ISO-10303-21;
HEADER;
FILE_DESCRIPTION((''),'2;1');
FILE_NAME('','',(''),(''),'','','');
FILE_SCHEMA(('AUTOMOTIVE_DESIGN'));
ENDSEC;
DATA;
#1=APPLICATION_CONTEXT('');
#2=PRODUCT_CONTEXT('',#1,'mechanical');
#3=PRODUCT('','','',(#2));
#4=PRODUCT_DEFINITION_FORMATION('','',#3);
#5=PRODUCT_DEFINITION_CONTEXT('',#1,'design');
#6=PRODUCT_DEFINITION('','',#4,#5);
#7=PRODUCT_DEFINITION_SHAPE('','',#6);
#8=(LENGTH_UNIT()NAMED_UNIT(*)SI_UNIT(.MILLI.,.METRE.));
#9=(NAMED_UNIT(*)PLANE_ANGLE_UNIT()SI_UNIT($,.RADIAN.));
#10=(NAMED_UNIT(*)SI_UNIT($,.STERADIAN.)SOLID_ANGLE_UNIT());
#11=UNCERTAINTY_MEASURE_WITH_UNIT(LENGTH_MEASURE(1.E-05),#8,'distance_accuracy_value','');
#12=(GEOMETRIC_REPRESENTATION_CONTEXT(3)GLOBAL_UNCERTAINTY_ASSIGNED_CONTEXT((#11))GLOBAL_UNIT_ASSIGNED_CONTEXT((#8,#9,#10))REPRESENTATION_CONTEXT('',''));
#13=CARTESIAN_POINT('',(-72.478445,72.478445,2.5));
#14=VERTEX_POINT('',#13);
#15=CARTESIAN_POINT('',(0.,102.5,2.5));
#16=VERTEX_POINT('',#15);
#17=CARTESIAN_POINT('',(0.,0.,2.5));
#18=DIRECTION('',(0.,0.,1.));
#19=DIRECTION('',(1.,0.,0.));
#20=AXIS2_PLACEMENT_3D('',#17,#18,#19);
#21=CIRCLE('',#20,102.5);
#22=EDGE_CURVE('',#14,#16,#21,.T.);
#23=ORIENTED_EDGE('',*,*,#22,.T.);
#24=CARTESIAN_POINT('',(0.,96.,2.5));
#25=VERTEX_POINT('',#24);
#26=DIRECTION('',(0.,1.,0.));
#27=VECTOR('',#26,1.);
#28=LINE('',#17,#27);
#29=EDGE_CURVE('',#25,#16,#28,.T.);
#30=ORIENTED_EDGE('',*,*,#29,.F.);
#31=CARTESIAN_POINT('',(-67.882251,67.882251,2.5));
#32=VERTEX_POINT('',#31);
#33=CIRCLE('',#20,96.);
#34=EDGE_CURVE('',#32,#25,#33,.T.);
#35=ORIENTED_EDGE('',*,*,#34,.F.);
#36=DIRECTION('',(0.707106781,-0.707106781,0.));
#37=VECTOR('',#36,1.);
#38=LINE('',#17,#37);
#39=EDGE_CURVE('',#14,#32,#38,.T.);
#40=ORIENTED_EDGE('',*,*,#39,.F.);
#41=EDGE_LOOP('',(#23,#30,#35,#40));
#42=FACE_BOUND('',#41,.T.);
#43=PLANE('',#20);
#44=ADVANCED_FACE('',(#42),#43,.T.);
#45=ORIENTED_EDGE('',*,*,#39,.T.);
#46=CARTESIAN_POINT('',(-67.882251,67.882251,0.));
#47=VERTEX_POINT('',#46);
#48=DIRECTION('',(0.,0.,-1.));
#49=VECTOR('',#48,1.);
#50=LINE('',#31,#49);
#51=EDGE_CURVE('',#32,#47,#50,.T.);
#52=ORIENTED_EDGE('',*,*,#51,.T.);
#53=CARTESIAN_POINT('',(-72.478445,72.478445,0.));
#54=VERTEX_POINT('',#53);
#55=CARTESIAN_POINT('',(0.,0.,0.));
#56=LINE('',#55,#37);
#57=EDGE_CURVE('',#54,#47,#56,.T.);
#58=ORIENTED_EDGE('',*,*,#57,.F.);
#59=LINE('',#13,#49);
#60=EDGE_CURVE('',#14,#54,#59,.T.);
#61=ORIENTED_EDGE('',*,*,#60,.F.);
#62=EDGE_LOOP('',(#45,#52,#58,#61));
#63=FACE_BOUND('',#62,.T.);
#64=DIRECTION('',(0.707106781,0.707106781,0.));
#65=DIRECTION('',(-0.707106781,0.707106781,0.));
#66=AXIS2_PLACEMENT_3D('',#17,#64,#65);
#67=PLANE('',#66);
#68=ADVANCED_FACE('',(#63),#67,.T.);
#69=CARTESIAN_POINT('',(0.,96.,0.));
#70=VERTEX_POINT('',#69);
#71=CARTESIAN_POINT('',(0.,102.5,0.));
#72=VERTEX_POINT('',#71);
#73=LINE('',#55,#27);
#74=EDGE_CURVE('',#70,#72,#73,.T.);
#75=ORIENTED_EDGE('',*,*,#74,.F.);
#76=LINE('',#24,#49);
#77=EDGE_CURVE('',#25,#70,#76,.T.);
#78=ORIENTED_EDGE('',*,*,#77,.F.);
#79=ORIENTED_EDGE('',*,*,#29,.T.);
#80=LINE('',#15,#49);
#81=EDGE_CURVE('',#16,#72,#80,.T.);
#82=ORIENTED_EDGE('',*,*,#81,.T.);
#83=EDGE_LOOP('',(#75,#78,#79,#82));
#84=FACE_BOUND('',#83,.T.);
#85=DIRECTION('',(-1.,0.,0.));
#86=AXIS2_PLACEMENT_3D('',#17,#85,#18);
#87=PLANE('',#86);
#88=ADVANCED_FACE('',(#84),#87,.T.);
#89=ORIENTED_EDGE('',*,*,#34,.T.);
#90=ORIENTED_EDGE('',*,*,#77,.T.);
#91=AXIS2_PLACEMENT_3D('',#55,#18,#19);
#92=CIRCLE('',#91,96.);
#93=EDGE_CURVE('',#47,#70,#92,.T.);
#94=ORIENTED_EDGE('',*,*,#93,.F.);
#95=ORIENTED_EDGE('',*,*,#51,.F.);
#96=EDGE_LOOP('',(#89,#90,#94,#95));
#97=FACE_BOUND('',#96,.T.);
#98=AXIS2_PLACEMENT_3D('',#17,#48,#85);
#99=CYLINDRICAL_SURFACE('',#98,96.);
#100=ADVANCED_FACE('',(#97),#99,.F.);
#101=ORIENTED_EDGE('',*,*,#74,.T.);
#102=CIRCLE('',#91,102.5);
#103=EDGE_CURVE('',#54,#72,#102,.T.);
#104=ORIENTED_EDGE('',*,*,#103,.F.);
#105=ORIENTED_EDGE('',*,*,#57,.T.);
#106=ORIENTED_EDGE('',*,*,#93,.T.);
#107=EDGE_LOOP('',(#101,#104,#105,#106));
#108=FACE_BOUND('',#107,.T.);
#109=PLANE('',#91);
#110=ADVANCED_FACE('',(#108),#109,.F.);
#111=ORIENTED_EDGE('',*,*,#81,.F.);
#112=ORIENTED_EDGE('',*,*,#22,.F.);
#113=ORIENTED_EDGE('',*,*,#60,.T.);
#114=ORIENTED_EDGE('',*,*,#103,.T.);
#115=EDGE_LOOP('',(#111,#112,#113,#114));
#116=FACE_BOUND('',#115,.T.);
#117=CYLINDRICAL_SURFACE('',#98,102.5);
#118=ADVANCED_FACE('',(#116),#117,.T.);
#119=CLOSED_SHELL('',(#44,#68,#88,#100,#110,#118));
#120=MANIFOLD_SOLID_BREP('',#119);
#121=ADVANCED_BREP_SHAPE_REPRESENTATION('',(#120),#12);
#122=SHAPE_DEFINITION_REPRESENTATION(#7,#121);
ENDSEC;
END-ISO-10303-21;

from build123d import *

# Parameters (mm, degrees)
BOSS_EXTRUDE1_DEPTH = 2.5


with BuildPart() as part:
    # Sketch1 → Boss-Extrude1 (new body)
    with BuildSketch(Plane.XY):
        with BuildLine():
            Line((0, 102.5), (0, 96))
            ThreePointArc((0, 96), (67.882250994, 67.882250994), (96, 0))
            ThreePointArc((96, 0), (-36.737609507, -88.692435121), (-67.882250994, 67.882250994))
            Line((-67.882250994, 67.882250994), (-72.478445072, 72.478445072))
            ThreePointArc((-72.478445072, 72.478445072), (-39.225051817, -94.697652082), (102.5, 0))
            ThreePointArc((102.5, 0), (72.478445072, 72.478445072), (0, 102.5))
        make_face()
    extrude(amount=BOSS_EXTRUDE1_DEPTH)


solid = part.part
